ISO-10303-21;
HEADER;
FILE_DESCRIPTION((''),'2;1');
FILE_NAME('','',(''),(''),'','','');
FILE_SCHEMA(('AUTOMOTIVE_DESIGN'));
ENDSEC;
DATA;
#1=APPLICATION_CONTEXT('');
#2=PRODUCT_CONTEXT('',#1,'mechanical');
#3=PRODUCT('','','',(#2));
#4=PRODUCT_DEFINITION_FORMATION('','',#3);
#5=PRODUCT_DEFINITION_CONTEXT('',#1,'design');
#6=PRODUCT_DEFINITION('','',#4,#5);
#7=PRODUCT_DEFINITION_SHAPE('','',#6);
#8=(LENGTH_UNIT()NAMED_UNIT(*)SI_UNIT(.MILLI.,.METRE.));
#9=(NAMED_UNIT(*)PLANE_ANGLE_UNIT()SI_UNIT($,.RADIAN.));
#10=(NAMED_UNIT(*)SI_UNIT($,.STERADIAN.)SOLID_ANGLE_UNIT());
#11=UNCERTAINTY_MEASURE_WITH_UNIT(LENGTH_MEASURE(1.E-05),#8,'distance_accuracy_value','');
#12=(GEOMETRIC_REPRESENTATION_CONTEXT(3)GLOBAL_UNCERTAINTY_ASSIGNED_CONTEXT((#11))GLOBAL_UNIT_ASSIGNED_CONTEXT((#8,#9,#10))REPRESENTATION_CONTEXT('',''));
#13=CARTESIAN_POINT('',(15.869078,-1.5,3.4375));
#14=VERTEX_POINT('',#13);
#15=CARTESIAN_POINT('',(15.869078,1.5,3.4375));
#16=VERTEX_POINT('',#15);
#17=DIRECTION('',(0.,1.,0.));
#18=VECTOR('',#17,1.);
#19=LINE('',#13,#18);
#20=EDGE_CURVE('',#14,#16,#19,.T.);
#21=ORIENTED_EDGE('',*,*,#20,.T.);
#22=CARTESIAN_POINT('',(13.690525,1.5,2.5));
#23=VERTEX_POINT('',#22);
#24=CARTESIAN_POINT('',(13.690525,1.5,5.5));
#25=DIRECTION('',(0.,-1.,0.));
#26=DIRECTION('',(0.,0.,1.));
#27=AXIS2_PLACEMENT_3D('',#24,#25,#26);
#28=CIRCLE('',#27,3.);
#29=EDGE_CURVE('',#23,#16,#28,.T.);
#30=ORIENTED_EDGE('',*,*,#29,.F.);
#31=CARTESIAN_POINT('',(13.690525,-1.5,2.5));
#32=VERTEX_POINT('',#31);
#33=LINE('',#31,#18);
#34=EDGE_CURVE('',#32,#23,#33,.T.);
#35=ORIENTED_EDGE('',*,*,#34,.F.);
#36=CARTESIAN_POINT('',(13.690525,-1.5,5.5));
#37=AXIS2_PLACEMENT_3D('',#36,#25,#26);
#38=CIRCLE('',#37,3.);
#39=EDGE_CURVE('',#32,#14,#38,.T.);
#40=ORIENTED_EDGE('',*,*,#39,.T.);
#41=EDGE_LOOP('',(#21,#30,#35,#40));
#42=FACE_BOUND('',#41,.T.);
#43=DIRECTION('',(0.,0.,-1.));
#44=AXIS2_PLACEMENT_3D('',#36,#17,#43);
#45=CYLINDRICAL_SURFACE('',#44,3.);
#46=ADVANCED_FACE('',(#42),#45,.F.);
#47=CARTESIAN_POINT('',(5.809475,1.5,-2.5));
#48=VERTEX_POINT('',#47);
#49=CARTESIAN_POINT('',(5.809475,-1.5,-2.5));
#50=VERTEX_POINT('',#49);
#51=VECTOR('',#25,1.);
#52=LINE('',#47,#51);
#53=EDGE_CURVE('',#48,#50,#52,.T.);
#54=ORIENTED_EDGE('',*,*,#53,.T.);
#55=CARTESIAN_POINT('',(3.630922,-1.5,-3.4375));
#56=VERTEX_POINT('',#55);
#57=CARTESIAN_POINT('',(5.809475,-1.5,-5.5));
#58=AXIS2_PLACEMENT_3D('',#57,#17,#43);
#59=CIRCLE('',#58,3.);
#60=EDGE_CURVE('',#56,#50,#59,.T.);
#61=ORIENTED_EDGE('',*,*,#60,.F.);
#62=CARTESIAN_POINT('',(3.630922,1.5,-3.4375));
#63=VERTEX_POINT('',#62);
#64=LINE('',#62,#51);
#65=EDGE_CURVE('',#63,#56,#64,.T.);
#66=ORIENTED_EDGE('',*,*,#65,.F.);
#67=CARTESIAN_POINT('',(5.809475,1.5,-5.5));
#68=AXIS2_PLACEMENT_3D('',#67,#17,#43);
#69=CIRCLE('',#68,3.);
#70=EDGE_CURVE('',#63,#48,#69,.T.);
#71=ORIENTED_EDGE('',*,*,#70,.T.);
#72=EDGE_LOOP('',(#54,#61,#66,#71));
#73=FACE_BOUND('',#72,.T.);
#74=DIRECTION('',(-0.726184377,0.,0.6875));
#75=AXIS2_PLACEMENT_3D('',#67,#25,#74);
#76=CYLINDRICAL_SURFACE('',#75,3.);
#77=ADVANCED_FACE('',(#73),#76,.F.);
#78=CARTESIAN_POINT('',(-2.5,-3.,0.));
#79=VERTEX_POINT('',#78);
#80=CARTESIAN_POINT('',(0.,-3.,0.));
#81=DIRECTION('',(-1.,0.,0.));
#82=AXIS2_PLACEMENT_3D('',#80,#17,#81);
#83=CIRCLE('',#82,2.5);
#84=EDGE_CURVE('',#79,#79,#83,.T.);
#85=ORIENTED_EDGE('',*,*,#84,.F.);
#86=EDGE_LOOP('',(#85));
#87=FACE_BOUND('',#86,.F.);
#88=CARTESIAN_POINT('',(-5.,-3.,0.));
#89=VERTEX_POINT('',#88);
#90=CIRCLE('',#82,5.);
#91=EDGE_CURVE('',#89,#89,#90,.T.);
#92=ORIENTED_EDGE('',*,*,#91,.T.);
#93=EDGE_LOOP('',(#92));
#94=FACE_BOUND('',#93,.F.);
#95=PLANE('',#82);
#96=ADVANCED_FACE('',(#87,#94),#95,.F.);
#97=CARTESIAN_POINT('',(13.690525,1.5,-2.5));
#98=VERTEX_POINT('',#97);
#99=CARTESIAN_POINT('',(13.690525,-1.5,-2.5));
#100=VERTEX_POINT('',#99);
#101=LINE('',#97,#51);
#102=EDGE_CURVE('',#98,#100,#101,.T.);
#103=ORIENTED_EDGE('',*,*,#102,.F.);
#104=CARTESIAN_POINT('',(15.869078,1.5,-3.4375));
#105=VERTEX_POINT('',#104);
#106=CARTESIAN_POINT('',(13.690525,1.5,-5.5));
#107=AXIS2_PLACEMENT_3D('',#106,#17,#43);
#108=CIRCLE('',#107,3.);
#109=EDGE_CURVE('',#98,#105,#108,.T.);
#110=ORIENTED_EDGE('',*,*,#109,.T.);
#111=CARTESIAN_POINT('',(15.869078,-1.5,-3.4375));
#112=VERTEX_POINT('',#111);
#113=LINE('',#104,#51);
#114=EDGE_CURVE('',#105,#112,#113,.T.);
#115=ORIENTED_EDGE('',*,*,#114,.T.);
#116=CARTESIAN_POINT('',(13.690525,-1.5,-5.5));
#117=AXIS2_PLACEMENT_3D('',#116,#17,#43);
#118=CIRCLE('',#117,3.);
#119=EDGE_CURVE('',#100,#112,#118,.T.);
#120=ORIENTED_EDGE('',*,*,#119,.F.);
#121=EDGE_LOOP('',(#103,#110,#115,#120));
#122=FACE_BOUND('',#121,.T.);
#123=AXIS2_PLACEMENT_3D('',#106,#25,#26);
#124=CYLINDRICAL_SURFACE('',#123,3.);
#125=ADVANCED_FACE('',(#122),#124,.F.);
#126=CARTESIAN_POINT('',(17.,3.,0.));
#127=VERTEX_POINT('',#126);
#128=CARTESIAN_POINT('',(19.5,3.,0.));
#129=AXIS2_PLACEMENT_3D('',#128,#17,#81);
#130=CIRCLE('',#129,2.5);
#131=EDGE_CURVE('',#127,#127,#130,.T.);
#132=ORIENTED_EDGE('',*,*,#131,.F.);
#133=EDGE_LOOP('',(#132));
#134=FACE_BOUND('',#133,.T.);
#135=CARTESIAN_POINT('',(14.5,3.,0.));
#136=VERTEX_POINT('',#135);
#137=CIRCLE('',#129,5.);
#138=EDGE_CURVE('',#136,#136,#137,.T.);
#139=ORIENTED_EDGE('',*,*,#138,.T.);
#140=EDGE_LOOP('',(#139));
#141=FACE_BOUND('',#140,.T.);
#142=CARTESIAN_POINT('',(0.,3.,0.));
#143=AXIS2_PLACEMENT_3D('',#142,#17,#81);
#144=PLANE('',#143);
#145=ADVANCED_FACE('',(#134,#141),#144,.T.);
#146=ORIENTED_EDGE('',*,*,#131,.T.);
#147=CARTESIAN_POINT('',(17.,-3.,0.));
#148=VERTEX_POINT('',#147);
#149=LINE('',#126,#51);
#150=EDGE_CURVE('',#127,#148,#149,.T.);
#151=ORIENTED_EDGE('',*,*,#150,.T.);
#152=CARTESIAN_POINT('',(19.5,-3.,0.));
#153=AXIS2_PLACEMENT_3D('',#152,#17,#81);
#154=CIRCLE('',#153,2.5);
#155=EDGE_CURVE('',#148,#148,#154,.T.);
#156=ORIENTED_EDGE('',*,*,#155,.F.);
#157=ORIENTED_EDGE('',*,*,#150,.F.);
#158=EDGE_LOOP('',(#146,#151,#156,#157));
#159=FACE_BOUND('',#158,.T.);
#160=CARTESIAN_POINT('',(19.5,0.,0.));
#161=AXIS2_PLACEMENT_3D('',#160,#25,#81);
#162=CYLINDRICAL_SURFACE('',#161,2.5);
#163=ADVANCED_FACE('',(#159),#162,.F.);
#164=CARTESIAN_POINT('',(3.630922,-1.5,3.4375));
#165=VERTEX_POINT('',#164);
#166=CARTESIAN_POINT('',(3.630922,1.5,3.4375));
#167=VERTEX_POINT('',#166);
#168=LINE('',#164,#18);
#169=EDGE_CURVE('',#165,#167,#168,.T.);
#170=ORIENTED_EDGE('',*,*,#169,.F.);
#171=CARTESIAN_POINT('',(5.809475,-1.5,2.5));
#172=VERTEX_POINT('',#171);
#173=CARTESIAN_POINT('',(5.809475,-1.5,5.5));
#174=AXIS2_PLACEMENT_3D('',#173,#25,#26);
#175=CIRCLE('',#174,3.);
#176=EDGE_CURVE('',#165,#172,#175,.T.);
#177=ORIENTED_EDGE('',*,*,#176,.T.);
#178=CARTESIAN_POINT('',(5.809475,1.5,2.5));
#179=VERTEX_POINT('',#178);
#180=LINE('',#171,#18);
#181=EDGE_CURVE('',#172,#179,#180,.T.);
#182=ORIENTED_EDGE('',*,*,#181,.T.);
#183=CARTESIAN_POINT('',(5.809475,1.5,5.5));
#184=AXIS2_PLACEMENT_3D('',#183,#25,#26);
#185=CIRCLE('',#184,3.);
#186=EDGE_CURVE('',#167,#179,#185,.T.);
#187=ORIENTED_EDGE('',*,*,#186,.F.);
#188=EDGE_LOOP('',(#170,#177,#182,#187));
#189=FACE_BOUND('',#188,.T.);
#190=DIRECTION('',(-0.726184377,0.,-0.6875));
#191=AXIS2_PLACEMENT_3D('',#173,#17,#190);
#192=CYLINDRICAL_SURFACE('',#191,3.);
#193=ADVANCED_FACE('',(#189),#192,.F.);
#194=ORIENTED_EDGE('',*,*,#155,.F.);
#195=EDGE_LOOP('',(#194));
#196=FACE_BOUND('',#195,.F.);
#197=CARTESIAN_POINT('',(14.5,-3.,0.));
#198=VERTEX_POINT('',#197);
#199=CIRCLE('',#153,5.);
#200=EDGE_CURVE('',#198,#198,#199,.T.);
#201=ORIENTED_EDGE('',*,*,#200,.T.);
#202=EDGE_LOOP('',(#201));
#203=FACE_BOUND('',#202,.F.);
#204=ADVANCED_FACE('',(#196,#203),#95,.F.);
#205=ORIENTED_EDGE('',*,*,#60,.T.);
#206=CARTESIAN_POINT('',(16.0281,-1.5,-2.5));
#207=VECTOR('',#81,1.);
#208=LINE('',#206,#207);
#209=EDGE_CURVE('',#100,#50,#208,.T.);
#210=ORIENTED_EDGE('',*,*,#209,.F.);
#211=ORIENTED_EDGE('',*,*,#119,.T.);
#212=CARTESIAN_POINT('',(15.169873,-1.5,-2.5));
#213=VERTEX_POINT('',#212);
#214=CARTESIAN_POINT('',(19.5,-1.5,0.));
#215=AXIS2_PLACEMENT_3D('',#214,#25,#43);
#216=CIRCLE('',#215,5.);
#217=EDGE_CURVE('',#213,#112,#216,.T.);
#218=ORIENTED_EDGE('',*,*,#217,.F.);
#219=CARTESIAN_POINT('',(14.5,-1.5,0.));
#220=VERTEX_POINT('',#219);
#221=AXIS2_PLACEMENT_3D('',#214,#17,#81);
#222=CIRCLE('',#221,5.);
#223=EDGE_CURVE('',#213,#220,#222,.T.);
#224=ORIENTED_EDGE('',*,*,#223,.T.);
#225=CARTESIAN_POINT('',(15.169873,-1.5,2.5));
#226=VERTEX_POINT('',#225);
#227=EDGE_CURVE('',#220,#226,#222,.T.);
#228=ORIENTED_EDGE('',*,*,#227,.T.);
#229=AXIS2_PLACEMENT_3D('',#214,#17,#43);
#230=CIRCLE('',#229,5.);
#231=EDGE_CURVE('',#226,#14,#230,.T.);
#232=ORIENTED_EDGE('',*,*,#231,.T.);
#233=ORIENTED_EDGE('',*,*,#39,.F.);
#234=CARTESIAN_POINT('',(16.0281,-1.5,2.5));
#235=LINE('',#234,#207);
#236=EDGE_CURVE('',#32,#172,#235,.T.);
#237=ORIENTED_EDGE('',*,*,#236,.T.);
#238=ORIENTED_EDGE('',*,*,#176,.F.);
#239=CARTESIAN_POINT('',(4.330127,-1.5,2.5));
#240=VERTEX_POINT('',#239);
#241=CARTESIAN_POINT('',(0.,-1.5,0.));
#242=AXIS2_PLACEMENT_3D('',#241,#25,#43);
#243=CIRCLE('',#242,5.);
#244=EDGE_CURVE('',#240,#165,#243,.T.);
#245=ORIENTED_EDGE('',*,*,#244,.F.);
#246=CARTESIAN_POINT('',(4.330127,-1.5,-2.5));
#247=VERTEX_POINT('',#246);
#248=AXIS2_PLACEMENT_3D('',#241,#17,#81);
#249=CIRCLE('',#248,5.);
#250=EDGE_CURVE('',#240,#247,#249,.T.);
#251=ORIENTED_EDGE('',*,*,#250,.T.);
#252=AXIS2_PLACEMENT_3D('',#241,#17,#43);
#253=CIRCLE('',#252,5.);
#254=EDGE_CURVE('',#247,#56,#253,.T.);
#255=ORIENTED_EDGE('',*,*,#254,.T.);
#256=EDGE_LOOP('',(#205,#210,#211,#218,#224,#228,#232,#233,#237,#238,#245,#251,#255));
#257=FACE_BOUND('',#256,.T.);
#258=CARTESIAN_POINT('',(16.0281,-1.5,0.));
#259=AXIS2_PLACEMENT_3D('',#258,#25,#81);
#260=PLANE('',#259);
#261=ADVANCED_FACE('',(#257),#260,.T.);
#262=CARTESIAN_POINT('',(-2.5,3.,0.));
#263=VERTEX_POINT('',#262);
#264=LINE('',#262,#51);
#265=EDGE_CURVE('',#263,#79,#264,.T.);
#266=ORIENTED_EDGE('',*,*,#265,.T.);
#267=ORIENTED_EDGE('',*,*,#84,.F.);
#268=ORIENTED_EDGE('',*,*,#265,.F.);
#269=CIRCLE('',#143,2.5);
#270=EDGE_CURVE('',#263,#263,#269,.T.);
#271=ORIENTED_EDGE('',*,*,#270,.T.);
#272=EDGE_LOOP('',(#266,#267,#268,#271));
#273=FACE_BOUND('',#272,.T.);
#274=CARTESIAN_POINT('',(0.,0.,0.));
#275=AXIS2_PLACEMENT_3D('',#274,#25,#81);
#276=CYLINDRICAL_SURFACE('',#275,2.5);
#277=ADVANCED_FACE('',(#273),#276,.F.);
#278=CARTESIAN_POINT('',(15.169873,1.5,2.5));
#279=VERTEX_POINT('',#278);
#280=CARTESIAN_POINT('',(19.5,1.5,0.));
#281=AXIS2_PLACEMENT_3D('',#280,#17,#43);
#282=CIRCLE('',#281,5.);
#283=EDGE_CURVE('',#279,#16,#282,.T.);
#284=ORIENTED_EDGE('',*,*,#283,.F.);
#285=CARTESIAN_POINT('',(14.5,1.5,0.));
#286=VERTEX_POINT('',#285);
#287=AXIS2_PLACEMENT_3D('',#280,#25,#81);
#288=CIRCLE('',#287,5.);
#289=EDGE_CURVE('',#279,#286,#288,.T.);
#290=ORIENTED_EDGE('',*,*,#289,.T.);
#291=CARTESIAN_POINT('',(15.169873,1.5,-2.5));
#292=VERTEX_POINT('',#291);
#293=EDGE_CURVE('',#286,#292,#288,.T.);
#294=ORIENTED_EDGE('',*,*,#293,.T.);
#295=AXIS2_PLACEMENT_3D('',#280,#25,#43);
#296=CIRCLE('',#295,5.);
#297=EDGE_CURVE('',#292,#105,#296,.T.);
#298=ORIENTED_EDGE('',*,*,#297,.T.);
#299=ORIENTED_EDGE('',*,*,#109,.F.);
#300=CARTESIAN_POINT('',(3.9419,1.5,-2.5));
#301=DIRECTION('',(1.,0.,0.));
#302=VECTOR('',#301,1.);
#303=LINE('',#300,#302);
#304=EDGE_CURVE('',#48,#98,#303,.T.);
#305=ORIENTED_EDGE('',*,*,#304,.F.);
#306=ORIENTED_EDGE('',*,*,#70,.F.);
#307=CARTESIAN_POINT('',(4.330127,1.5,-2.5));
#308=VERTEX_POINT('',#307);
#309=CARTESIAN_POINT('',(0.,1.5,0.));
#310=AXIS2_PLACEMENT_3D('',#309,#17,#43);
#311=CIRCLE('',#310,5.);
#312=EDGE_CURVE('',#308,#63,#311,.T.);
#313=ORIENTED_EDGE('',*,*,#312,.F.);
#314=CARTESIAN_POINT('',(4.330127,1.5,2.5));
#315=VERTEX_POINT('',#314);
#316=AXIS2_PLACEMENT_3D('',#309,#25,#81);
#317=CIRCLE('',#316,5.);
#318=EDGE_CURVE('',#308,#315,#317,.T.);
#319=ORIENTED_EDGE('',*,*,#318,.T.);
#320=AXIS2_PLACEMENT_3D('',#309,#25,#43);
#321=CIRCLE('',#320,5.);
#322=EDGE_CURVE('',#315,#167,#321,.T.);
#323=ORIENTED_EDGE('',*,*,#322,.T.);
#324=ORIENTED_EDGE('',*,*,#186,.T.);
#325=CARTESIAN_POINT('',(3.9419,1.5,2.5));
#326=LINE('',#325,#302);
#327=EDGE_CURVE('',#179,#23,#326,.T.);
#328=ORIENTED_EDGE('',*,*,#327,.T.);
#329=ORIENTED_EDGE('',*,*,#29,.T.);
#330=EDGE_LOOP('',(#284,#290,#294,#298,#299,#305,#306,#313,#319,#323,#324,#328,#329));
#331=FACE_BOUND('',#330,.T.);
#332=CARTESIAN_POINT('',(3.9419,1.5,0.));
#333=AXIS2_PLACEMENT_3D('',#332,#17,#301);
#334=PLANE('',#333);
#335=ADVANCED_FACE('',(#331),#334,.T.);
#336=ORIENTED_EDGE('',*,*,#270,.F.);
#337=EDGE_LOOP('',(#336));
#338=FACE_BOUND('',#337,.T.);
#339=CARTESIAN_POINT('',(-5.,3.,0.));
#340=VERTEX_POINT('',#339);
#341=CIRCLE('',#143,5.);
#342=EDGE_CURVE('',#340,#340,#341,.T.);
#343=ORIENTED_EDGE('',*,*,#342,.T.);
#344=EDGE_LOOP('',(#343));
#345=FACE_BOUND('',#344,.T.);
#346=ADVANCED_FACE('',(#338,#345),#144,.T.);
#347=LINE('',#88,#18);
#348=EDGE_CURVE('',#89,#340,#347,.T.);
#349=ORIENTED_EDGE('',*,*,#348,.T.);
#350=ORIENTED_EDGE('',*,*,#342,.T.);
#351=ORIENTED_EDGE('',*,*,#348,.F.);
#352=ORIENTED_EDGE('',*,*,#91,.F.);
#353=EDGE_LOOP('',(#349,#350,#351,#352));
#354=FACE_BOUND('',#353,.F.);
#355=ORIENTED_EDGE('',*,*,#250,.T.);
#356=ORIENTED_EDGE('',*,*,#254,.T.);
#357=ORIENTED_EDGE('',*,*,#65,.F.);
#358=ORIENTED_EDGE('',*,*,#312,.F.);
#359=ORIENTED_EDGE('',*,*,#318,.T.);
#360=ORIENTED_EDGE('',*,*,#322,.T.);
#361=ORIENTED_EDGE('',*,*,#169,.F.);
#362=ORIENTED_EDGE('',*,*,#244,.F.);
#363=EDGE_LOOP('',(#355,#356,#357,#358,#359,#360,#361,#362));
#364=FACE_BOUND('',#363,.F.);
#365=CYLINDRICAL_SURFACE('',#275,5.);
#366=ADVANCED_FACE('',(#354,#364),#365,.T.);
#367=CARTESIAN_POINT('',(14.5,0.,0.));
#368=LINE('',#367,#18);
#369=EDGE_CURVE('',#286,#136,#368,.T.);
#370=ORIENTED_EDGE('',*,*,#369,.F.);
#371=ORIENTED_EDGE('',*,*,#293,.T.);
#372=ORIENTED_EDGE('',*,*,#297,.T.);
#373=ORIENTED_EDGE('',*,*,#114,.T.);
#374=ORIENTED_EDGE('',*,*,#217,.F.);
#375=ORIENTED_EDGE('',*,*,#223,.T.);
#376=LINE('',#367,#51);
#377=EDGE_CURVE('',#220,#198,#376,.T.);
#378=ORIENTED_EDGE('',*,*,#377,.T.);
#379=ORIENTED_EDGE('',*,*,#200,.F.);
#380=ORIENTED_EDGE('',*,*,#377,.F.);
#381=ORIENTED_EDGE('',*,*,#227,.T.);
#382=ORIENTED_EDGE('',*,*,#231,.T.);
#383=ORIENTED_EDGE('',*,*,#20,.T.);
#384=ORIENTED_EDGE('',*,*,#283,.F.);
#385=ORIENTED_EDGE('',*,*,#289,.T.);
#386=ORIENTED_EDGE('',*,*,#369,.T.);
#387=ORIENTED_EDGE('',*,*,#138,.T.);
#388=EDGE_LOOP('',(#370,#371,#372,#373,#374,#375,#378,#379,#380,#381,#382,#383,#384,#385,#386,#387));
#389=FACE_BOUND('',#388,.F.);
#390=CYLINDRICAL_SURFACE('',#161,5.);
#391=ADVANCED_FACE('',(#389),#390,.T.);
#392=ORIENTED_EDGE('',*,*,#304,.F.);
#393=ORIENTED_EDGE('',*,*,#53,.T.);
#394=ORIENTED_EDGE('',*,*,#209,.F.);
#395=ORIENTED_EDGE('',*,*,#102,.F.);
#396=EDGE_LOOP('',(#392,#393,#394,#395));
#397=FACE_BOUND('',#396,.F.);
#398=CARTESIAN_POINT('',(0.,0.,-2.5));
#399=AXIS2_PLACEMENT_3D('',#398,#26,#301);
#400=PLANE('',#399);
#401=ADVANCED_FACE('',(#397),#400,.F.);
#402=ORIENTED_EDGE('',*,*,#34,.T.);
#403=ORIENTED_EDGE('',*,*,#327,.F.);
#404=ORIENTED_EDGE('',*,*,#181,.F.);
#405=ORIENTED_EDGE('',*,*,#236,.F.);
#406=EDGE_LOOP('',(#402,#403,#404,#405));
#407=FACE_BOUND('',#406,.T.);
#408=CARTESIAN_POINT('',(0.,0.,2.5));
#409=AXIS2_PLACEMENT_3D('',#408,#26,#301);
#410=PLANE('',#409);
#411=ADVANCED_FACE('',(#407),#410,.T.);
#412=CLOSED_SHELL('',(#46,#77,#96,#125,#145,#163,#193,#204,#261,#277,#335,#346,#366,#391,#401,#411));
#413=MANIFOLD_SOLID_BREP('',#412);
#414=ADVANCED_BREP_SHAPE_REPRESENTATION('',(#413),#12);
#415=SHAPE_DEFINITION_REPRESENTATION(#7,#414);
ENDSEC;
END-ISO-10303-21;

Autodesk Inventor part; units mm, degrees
ref_plane "YZ Plane" through (0, 0, 0) normal (1, 0, 0) x (0, 1, 0)
ref_plane "XZ Plane" through (0, 0, 0) normal (0, 1, 0) x (-1, 0, 0)
ref_plane "XY Plane" through (0, 0, 0) normal (0, 0, 1) x (1, 0, 0)
sketch "Sketch1" plane through (0, 0, 0) normal (0, 1, 0) x (-1, 0, 0)
  circle A0 centre (0, 0) radius 5
  circle A1 centre (0, 0) radius 2.5
  dimension "d1" = 5
extrude "Extrusion1" add sketch "Sketch1" along normal mid plane 6
sketch "Sketch2" plane through (0, 0, 0) normal (0, 1, 0) x (-1, 0, 0)
  point P0 (0, 0)
sketch "Sketch3" plane through (0, 0, 0) normal (0, 1, 0) x (-1, 0, 0)
  circle A0 centre (-19.5, 0) radius 5
  circle A1 centre (-19.5, 0) radius 2.5
  point P0 (0, 0)
  dimension "d5" = 10
  dimension "d6" = 5
extrude "Extrusion2" add sketch "Sketch3" along normal mid plane 6
sketch "Sketch4" plane through (0, 0, 0) normal (0, 0, 1) x (1, 0, 0)
  line L0 (3.9419, 0) -> (16.4981, 0) construction
  line L1 (3.9419, 0) -> (3.9419, 1.5)
  line L2 (5, 3) -> (-5, 3) projected
  line L3 (3.9419, 0) -> (3.9419, -1.5)
  line L4 (3.9419, 1.5) -> (16.0281, 1.5)
  line L5 (16.0281, 1.5) -> (16.0281, -1.5)
  line L6 (16.0281, -1.5) -> (3.9419, -1.5)
  line L7 (2.5, -3) -> (2.5, 3) projected
  point P0 (0, 0)
extrude "Extrusion3" add sketch "Sketch4" along normal mid plane 5
fillet "Fillet1" radius 3 4 edges at (4.3301, 0, -2.5) (15.1699, 0, -2.5) (15.1699, 0, 2.5) (4.3301, 0, 2.5)
properties part number "Bielletta"
